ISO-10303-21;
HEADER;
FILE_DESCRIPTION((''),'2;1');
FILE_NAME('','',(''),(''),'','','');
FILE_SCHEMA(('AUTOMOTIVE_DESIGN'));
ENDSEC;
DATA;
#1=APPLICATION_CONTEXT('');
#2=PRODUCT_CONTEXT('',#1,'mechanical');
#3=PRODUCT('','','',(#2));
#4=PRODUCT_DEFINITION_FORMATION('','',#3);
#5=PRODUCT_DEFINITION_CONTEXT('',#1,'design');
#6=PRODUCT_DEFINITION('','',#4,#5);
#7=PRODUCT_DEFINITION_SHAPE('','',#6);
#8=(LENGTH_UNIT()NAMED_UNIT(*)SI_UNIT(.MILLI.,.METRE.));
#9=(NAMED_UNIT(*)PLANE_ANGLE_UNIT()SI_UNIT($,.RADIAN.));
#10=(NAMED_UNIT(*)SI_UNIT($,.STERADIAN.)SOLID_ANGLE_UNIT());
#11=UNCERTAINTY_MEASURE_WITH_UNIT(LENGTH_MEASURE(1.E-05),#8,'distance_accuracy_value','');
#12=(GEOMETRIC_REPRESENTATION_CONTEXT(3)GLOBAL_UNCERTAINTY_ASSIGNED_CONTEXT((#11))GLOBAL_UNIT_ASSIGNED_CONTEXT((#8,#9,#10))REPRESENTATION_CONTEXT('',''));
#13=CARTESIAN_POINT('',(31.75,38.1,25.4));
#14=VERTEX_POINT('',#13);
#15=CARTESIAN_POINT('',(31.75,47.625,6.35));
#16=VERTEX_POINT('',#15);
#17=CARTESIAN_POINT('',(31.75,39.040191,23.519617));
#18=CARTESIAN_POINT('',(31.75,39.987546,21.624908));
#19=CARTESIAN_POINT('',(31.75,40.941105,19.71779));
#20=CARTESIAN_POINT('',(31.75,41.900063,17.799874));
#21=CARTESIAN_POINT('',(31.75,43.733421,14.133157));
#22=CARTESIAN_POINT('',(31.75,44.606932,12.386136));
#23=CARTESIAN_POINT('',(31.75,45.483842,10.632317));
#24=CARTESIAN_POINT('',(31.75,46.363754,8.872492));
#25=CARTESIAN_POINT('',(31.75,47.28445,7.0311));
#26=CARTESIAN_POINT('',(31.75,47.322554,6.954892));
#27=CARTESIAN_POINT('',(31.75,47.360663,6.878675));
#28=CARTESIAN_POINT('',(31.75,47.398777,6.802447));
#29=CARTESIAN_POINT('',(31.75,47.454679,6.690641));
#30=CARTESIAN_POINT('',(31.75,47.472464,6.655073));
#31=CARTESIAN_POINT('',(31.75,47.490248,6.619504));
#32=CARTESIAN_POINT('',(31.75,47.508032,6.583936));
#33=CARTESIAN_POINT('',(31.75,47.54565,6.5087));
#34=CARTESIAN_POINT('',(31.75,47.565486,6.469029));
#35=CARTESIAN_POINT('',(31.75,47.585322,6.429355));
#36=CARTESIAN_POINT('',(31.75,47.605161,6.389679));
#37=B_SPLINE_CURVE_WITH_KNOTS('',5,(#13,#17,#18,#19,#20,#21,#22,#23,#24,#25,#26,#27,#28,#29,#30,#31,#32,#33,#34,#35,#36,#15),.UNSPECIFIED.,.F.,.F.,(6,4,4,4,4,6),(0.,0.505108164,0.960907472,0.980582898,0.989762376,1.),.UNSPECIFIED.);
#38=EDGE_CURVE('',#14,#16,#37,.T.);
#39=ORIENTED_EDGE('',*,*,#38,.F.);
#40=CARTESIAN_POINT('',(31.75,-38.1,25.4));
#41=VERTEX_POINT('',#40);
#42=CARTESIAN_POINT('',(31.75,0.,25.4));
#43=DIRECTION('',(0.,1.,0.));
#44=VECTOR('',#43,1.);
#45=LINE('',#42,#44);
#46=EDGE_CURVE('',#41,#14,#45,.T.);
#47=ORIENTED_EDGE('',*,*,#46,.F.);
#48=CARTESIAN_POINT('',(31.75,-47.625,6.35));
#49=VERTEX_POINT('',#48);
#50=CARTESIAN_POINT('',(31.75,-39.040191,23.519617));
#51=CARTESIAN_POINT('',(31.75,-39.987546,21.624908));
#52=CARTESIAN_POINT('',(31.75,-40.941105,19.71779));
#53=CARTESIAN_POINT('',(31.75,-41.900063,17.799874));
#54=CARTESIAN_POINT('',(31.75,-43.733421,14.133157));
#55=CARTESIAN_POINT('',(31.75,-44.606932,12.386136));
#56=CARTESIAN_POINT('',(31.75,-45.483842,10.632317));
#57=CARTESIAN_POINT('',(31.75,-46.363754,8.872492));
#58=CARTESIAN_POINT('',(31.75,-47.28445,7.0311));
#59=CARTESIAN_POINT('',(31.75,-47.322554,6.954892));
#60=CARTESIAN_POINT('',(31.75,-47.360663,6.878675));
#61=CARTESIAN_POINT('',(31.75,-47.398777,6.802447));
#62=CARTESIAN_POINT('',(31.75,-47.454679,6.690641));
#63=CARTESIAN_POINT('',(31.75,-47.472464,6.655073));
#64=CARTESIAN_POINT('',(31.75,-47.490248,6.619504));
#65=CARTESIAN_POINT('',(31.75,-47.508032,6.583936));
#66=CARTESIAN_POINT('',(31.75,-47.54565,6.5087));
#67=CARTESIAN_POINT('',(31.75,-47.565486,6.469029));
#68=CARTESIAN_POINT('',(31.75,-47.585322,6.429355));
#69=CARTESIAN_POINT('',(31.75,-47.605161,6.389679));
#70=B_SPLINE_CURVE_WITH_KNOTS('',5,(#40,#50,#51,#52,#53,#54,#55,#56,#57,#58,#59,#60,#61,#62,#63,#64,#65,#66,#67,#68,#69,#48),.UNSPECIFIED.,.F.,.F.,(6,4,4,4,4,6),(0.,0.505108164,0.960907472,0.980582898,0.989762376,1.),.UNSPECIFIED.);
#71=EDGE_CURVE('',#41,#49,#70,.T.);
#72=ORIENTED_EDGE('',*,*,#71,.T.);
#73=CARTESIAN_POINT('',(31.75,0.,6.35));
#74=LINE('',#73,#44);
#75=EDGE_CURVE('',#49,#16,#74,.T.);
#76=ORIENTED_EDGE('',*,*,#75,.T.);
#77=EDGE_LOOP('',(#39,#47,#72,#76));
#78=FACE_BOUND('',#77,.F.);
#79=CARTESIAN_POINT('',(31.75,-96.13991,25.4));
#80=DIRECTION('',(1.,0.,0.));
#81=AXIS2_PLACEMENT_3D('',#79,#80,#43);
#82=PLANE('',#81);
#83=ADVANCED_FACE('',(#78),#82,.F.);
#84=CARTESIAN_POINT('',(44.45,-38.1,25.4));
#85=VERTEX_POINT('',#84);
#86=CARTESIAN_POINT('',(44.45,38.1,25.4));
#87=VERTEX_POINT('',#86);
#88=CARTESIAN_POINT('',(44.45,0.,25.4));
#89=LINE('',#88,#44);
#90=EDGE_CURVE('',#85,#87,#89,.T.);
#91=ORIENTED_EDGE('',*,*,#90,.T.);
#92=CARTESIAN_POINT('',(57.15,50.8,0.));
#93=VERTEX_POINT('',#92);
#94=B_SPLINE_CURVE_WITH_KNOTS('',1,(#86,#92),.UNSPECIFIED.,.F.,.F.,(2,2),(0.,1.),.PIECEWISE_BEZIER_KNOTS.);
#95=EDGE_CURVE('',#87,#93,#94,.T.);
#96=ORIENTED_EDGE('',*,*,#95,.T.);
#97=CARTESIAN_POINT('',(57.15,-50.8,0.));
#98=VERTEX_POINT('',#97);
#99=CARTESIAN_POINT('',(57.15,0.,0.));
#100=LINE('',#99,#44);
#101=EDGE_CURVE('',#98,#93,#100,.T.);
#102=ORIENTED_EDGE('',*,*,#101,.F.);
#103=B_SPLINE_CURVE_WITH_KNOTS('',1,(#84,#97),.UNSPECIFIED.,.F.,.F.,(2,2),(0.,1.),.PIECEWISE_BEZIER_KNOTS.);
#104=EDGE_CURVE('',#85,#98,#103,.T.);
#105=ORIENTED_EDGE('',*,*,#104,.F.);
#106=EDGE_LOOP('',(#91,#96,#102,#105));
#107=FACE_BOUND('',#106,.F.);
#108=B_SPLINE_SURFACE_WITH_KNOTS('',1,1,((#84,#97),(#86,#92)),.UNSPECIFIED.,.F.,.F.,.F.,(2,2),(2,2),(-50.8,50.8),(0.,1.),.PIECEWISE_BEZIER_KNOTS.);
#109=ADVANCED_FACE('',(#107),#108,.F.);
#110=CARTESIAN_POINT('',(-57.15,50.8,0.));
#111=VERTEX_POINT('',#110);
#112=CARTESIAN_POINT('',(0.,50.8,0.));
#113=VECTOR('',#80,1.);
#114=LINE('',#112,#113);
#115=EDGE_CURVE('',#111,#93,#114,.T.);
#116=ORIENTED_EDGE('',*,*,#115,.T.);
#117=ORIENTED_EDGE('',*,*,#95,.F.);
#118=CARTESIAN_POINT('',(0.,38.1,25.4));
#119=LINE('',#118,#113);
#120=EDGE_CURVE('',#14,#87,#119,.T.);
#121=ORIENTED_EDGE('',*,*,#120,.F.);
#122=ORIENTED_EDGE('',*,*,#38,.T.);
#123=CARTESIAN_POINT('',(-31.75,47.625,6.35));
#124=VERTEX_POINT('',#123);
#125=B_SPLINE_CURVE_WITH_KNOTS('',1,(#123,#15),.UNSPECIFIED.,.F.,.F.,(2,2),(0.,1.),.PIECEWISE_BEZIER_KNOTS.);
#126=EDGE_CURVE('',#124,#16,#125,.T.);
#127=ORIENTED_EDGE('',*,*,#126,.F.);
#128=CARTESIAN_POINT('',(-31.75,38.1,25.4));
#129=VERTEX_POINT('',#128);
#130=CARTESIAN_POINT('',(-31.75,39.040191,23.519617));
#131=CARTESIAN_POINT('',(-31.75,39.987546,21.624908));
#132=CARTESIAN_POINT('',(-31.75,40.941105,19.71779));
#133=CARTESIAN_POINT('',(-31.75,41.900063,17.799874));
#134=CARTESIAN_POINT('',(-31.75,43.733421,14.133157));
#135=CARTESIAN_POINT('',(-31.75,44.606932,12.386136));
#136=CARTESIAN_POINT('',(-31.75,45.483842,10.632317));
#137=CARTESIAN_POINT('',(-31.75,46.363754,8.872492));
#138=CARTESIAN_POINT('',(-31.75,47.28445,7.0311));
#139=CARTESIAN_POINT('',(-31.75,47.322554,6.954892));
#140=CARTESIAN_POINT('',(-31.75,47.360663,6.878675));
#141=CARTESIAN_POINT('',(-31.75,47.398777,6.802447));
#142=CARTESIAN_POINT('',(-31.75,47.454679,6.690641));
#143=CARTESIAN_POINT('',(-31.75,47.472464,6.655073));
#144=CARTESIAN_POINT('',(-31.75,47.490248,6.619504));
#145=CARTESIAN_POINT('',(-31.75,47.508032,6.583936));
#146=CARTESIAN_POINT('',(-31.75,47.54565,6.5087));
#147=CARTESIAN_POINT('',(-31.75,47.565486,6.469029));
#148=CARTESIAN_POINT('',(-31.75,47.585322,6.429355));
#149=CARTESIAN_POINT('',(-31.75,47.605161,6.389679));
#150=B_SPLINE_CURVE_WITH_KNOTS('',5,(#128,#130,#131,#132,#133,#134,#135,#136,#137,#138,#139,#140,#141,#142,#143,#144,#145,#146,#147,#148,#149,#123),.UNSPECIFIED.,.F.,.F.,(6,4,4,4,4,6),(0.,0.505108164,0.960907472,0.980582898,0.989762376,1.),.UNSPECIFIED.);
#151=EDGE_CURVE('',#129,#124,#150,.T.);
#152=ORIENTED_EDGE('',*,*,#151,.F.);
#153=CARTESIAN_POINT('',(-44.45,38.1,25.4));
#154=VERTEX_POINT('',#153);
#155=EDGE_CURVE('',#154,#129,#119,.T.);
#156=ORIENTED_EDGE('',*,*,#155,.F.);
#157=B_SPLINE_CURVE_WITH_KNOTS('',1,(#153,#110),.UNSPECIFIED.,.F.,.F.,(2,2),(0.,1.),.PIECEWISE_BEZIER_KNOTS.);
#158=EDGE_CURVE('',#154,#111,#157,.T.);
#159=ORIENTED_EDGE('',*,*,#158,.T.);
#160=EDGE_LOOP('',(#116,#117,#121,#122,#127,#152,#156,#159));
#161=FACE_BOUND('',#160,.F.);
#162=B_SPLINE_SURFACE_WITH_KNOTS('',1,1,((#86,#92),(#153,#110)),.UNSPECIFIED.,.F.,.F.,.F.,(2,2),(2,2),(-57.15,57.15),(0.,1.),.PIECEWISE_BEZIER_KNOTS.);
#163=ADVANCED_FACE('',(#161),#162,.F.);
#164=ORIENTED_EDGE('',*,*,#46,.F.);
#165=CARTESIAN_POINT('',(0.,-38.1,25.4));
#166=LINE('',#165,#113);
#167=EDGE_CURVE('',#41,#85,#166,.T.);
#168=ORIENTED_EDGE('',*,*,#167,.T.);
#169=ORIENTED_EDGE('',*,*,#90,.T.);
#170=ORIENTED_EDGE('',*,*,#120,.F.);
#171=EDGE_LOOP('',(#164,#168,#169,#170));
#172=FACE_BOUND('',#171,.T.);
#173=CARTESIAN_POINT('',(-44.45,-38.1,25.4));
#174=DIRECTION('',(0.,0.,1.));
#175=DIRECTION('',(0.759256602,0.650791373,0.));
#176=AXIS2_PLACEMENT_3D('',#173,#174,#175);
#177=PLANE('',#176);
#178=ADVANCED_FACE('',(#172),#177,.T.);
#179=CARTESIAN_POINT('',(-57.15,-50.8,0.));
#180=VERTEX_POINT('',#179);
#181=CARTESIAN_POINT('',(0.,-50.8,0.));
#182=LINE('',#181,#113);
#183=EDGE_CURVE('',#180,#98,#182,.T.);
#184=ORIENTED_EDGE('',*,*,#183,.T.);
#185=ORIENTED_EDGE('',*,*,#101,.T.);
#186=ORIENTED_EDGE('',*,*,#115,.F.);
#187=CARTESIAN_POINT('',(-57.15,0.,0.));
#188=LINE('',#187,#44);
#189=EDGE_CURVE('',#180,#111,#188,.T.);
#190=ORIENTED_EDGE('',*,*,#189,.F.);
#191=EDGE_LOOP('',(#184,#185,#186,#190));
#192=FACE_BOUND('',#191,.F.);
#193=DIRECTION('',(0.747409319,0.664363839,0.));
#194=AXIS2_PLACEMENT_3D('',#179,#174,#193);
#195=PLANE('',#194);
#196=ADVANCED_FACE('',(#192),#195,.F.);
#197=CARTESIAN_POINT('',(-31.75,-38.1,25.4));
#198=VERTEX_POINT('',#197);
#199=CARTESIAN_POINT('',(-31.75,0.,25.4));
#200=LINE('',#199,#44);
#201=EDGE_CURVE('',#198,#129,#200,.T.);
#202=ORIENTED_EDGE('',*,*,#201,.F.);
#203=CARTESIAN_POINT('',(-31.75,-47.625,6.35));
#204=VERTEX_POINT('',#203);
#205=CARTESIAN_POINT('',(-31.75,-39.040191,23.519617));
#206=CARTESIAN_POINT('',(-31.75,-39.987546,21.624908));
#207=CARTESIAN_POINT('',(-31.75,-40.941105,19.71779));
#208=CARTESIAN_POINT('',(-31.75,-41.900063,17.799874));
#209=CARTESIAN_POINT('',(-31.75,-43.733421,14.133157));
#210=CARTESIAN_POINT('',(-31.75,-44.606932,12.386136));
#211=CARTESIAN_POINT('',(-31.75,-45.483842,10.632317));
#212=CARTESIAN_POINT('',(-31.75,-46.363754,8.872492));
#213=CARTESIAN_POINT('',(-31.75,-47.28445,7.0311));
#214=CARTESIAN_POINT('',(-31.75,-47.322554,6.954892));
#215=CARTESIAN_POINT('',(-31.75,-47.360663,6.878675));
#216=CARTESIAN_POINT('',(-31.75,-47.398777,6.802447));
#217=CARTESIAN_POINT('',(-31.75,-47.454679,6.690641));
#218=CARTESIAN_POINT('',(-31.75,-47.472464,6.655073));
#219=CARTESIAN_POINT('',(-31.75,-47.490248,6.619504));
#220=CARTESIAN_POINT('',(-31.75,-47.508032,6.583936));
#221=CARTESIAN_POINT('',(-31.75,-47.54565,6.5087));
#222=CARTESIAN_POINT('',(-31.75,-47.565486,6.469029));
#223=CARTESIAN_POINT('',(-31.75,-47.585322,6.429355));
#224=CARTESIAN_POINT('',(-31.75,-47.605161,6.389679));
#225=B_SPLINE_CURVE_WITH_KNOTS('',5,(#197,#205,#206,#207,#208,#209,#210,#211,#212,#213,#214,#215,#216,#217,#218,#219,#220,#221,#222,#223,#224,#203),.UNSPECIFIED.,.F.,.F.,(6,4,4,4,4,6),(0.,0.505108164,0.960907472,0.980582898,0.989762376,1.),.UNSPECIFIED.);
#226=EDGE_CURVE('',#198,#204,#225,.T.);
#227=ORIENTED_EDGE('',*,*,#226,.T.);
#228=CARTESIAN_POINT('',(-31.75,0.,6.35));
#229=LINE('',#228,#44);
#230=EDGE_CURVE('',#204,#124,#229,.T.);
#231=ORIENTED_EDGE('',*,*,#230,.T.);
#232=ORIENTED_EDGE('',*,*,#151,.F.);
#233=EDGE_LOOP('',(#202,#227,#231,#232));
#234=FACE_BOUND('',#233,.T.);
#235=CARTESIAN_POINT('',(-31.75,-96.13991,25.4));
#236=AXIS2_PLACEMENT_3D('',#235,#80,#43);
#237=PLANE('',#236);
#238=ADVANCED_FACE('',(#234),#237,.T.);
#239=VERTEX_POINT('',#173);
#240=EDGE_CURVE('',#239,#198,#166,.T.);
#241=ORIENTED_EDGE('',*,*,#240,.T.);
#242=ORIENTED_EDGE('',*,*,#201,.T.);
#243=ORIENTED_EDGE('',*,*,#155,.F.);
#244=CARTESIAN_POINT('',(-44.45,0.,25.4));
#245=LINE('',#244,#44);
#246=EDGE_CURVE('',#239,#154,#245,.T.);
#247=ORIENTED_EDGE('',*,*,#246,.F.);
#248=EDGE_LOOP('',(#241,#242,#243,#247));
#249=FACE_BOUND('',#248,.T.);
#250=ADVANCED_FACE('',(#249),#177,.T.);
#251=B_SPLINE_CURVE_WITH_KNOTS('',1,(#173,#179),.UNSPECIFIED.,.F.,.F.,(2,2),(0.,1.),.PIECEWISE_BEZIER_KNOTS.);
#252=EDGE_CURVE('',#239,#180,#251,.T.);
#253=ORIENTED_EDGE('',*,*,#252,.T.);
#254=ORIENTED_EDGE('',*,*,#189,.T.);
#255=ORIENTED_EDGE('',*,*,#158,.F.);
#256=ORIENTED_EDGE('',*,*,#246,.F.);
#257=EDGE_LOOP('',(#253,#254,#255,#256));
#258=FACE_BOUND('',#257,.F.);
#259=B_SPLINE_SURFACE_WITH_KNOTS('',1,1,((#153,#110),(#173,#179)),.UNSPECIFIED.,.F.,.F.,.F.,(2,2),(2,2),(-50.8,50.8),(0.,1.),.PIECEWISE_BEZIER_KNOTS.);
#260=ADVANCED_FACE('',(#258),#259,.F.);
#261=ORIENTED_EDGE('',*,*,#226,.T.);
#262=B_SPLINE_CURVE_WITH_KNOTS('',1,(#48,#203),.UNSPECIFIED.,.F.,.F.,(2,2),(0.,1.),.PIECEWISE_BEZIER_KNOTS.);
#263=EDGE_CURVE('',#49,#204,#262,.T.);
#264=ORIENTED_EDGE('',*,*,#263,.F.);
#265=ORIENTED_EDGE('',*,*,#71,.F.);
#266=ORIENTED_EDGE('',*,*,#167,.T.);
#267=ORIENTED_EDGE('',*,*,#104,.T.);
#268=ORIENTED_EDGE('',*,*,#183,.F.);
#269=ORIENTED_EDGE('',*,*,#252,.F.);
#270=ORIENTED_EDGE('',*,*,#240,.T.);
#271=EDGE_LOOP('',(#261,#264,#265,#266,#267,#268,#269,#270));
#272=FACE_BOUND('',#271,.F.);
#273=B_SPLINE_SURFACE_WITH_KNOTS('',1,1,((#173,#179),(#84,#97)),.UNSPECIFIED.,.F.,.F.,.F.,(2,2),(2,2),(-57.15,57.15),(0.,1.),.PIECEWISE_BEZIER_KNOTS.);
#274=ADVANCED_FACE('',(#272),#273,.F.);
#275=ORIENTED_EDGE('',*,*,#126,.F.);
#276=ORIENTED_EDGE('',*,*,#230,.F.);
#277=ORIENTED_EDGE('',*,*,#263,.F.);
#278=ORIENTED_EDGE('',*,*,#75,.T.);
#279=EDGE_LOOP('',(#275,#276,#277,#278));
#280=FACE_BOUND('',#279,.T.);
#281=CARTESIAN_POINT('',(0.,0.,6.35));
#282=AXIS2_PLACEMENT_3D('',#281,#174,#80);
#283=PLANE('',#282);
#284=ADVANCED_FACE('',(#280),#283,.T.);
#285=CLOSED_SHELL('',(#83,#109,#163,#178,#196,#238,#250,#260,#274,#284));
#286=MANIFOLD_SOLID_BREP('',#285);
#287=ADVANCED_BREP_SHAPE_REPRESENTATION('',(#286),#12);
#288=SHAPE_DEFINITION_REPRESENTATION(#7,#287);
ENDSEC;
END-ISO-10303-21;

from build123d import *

# Parameters (mm, degrees)
F2_W     = 88.9
F2_H     = 76.2
F0_W     = 114.3
F0_H     = 101.6
F4_W     = 63.5
F4_H     = 192.27982
F5_DEPTH = 19.05


with BuildPart() as f3:
    # F2 (on offset) → F3 section 0
    with BuildSketch(Plane.XY.offset(25.4)):
        Rectangle(F2_W, F2_H)
    # F0 (on Top) → F3 section 1
    with BuildSketch(Plane.XY):
        Rectangle(F0_W, F0_H)
    loft()

    # F4 (on face) → F5 (cut)
    with BuildSketch(Plane.XY.offset(25.4)):
        Rectangle(F4_W, F4_H)
    extrude(amount=-F5_DEPTH, mode=Mode.SUBTRACT)


solid = f3.part
